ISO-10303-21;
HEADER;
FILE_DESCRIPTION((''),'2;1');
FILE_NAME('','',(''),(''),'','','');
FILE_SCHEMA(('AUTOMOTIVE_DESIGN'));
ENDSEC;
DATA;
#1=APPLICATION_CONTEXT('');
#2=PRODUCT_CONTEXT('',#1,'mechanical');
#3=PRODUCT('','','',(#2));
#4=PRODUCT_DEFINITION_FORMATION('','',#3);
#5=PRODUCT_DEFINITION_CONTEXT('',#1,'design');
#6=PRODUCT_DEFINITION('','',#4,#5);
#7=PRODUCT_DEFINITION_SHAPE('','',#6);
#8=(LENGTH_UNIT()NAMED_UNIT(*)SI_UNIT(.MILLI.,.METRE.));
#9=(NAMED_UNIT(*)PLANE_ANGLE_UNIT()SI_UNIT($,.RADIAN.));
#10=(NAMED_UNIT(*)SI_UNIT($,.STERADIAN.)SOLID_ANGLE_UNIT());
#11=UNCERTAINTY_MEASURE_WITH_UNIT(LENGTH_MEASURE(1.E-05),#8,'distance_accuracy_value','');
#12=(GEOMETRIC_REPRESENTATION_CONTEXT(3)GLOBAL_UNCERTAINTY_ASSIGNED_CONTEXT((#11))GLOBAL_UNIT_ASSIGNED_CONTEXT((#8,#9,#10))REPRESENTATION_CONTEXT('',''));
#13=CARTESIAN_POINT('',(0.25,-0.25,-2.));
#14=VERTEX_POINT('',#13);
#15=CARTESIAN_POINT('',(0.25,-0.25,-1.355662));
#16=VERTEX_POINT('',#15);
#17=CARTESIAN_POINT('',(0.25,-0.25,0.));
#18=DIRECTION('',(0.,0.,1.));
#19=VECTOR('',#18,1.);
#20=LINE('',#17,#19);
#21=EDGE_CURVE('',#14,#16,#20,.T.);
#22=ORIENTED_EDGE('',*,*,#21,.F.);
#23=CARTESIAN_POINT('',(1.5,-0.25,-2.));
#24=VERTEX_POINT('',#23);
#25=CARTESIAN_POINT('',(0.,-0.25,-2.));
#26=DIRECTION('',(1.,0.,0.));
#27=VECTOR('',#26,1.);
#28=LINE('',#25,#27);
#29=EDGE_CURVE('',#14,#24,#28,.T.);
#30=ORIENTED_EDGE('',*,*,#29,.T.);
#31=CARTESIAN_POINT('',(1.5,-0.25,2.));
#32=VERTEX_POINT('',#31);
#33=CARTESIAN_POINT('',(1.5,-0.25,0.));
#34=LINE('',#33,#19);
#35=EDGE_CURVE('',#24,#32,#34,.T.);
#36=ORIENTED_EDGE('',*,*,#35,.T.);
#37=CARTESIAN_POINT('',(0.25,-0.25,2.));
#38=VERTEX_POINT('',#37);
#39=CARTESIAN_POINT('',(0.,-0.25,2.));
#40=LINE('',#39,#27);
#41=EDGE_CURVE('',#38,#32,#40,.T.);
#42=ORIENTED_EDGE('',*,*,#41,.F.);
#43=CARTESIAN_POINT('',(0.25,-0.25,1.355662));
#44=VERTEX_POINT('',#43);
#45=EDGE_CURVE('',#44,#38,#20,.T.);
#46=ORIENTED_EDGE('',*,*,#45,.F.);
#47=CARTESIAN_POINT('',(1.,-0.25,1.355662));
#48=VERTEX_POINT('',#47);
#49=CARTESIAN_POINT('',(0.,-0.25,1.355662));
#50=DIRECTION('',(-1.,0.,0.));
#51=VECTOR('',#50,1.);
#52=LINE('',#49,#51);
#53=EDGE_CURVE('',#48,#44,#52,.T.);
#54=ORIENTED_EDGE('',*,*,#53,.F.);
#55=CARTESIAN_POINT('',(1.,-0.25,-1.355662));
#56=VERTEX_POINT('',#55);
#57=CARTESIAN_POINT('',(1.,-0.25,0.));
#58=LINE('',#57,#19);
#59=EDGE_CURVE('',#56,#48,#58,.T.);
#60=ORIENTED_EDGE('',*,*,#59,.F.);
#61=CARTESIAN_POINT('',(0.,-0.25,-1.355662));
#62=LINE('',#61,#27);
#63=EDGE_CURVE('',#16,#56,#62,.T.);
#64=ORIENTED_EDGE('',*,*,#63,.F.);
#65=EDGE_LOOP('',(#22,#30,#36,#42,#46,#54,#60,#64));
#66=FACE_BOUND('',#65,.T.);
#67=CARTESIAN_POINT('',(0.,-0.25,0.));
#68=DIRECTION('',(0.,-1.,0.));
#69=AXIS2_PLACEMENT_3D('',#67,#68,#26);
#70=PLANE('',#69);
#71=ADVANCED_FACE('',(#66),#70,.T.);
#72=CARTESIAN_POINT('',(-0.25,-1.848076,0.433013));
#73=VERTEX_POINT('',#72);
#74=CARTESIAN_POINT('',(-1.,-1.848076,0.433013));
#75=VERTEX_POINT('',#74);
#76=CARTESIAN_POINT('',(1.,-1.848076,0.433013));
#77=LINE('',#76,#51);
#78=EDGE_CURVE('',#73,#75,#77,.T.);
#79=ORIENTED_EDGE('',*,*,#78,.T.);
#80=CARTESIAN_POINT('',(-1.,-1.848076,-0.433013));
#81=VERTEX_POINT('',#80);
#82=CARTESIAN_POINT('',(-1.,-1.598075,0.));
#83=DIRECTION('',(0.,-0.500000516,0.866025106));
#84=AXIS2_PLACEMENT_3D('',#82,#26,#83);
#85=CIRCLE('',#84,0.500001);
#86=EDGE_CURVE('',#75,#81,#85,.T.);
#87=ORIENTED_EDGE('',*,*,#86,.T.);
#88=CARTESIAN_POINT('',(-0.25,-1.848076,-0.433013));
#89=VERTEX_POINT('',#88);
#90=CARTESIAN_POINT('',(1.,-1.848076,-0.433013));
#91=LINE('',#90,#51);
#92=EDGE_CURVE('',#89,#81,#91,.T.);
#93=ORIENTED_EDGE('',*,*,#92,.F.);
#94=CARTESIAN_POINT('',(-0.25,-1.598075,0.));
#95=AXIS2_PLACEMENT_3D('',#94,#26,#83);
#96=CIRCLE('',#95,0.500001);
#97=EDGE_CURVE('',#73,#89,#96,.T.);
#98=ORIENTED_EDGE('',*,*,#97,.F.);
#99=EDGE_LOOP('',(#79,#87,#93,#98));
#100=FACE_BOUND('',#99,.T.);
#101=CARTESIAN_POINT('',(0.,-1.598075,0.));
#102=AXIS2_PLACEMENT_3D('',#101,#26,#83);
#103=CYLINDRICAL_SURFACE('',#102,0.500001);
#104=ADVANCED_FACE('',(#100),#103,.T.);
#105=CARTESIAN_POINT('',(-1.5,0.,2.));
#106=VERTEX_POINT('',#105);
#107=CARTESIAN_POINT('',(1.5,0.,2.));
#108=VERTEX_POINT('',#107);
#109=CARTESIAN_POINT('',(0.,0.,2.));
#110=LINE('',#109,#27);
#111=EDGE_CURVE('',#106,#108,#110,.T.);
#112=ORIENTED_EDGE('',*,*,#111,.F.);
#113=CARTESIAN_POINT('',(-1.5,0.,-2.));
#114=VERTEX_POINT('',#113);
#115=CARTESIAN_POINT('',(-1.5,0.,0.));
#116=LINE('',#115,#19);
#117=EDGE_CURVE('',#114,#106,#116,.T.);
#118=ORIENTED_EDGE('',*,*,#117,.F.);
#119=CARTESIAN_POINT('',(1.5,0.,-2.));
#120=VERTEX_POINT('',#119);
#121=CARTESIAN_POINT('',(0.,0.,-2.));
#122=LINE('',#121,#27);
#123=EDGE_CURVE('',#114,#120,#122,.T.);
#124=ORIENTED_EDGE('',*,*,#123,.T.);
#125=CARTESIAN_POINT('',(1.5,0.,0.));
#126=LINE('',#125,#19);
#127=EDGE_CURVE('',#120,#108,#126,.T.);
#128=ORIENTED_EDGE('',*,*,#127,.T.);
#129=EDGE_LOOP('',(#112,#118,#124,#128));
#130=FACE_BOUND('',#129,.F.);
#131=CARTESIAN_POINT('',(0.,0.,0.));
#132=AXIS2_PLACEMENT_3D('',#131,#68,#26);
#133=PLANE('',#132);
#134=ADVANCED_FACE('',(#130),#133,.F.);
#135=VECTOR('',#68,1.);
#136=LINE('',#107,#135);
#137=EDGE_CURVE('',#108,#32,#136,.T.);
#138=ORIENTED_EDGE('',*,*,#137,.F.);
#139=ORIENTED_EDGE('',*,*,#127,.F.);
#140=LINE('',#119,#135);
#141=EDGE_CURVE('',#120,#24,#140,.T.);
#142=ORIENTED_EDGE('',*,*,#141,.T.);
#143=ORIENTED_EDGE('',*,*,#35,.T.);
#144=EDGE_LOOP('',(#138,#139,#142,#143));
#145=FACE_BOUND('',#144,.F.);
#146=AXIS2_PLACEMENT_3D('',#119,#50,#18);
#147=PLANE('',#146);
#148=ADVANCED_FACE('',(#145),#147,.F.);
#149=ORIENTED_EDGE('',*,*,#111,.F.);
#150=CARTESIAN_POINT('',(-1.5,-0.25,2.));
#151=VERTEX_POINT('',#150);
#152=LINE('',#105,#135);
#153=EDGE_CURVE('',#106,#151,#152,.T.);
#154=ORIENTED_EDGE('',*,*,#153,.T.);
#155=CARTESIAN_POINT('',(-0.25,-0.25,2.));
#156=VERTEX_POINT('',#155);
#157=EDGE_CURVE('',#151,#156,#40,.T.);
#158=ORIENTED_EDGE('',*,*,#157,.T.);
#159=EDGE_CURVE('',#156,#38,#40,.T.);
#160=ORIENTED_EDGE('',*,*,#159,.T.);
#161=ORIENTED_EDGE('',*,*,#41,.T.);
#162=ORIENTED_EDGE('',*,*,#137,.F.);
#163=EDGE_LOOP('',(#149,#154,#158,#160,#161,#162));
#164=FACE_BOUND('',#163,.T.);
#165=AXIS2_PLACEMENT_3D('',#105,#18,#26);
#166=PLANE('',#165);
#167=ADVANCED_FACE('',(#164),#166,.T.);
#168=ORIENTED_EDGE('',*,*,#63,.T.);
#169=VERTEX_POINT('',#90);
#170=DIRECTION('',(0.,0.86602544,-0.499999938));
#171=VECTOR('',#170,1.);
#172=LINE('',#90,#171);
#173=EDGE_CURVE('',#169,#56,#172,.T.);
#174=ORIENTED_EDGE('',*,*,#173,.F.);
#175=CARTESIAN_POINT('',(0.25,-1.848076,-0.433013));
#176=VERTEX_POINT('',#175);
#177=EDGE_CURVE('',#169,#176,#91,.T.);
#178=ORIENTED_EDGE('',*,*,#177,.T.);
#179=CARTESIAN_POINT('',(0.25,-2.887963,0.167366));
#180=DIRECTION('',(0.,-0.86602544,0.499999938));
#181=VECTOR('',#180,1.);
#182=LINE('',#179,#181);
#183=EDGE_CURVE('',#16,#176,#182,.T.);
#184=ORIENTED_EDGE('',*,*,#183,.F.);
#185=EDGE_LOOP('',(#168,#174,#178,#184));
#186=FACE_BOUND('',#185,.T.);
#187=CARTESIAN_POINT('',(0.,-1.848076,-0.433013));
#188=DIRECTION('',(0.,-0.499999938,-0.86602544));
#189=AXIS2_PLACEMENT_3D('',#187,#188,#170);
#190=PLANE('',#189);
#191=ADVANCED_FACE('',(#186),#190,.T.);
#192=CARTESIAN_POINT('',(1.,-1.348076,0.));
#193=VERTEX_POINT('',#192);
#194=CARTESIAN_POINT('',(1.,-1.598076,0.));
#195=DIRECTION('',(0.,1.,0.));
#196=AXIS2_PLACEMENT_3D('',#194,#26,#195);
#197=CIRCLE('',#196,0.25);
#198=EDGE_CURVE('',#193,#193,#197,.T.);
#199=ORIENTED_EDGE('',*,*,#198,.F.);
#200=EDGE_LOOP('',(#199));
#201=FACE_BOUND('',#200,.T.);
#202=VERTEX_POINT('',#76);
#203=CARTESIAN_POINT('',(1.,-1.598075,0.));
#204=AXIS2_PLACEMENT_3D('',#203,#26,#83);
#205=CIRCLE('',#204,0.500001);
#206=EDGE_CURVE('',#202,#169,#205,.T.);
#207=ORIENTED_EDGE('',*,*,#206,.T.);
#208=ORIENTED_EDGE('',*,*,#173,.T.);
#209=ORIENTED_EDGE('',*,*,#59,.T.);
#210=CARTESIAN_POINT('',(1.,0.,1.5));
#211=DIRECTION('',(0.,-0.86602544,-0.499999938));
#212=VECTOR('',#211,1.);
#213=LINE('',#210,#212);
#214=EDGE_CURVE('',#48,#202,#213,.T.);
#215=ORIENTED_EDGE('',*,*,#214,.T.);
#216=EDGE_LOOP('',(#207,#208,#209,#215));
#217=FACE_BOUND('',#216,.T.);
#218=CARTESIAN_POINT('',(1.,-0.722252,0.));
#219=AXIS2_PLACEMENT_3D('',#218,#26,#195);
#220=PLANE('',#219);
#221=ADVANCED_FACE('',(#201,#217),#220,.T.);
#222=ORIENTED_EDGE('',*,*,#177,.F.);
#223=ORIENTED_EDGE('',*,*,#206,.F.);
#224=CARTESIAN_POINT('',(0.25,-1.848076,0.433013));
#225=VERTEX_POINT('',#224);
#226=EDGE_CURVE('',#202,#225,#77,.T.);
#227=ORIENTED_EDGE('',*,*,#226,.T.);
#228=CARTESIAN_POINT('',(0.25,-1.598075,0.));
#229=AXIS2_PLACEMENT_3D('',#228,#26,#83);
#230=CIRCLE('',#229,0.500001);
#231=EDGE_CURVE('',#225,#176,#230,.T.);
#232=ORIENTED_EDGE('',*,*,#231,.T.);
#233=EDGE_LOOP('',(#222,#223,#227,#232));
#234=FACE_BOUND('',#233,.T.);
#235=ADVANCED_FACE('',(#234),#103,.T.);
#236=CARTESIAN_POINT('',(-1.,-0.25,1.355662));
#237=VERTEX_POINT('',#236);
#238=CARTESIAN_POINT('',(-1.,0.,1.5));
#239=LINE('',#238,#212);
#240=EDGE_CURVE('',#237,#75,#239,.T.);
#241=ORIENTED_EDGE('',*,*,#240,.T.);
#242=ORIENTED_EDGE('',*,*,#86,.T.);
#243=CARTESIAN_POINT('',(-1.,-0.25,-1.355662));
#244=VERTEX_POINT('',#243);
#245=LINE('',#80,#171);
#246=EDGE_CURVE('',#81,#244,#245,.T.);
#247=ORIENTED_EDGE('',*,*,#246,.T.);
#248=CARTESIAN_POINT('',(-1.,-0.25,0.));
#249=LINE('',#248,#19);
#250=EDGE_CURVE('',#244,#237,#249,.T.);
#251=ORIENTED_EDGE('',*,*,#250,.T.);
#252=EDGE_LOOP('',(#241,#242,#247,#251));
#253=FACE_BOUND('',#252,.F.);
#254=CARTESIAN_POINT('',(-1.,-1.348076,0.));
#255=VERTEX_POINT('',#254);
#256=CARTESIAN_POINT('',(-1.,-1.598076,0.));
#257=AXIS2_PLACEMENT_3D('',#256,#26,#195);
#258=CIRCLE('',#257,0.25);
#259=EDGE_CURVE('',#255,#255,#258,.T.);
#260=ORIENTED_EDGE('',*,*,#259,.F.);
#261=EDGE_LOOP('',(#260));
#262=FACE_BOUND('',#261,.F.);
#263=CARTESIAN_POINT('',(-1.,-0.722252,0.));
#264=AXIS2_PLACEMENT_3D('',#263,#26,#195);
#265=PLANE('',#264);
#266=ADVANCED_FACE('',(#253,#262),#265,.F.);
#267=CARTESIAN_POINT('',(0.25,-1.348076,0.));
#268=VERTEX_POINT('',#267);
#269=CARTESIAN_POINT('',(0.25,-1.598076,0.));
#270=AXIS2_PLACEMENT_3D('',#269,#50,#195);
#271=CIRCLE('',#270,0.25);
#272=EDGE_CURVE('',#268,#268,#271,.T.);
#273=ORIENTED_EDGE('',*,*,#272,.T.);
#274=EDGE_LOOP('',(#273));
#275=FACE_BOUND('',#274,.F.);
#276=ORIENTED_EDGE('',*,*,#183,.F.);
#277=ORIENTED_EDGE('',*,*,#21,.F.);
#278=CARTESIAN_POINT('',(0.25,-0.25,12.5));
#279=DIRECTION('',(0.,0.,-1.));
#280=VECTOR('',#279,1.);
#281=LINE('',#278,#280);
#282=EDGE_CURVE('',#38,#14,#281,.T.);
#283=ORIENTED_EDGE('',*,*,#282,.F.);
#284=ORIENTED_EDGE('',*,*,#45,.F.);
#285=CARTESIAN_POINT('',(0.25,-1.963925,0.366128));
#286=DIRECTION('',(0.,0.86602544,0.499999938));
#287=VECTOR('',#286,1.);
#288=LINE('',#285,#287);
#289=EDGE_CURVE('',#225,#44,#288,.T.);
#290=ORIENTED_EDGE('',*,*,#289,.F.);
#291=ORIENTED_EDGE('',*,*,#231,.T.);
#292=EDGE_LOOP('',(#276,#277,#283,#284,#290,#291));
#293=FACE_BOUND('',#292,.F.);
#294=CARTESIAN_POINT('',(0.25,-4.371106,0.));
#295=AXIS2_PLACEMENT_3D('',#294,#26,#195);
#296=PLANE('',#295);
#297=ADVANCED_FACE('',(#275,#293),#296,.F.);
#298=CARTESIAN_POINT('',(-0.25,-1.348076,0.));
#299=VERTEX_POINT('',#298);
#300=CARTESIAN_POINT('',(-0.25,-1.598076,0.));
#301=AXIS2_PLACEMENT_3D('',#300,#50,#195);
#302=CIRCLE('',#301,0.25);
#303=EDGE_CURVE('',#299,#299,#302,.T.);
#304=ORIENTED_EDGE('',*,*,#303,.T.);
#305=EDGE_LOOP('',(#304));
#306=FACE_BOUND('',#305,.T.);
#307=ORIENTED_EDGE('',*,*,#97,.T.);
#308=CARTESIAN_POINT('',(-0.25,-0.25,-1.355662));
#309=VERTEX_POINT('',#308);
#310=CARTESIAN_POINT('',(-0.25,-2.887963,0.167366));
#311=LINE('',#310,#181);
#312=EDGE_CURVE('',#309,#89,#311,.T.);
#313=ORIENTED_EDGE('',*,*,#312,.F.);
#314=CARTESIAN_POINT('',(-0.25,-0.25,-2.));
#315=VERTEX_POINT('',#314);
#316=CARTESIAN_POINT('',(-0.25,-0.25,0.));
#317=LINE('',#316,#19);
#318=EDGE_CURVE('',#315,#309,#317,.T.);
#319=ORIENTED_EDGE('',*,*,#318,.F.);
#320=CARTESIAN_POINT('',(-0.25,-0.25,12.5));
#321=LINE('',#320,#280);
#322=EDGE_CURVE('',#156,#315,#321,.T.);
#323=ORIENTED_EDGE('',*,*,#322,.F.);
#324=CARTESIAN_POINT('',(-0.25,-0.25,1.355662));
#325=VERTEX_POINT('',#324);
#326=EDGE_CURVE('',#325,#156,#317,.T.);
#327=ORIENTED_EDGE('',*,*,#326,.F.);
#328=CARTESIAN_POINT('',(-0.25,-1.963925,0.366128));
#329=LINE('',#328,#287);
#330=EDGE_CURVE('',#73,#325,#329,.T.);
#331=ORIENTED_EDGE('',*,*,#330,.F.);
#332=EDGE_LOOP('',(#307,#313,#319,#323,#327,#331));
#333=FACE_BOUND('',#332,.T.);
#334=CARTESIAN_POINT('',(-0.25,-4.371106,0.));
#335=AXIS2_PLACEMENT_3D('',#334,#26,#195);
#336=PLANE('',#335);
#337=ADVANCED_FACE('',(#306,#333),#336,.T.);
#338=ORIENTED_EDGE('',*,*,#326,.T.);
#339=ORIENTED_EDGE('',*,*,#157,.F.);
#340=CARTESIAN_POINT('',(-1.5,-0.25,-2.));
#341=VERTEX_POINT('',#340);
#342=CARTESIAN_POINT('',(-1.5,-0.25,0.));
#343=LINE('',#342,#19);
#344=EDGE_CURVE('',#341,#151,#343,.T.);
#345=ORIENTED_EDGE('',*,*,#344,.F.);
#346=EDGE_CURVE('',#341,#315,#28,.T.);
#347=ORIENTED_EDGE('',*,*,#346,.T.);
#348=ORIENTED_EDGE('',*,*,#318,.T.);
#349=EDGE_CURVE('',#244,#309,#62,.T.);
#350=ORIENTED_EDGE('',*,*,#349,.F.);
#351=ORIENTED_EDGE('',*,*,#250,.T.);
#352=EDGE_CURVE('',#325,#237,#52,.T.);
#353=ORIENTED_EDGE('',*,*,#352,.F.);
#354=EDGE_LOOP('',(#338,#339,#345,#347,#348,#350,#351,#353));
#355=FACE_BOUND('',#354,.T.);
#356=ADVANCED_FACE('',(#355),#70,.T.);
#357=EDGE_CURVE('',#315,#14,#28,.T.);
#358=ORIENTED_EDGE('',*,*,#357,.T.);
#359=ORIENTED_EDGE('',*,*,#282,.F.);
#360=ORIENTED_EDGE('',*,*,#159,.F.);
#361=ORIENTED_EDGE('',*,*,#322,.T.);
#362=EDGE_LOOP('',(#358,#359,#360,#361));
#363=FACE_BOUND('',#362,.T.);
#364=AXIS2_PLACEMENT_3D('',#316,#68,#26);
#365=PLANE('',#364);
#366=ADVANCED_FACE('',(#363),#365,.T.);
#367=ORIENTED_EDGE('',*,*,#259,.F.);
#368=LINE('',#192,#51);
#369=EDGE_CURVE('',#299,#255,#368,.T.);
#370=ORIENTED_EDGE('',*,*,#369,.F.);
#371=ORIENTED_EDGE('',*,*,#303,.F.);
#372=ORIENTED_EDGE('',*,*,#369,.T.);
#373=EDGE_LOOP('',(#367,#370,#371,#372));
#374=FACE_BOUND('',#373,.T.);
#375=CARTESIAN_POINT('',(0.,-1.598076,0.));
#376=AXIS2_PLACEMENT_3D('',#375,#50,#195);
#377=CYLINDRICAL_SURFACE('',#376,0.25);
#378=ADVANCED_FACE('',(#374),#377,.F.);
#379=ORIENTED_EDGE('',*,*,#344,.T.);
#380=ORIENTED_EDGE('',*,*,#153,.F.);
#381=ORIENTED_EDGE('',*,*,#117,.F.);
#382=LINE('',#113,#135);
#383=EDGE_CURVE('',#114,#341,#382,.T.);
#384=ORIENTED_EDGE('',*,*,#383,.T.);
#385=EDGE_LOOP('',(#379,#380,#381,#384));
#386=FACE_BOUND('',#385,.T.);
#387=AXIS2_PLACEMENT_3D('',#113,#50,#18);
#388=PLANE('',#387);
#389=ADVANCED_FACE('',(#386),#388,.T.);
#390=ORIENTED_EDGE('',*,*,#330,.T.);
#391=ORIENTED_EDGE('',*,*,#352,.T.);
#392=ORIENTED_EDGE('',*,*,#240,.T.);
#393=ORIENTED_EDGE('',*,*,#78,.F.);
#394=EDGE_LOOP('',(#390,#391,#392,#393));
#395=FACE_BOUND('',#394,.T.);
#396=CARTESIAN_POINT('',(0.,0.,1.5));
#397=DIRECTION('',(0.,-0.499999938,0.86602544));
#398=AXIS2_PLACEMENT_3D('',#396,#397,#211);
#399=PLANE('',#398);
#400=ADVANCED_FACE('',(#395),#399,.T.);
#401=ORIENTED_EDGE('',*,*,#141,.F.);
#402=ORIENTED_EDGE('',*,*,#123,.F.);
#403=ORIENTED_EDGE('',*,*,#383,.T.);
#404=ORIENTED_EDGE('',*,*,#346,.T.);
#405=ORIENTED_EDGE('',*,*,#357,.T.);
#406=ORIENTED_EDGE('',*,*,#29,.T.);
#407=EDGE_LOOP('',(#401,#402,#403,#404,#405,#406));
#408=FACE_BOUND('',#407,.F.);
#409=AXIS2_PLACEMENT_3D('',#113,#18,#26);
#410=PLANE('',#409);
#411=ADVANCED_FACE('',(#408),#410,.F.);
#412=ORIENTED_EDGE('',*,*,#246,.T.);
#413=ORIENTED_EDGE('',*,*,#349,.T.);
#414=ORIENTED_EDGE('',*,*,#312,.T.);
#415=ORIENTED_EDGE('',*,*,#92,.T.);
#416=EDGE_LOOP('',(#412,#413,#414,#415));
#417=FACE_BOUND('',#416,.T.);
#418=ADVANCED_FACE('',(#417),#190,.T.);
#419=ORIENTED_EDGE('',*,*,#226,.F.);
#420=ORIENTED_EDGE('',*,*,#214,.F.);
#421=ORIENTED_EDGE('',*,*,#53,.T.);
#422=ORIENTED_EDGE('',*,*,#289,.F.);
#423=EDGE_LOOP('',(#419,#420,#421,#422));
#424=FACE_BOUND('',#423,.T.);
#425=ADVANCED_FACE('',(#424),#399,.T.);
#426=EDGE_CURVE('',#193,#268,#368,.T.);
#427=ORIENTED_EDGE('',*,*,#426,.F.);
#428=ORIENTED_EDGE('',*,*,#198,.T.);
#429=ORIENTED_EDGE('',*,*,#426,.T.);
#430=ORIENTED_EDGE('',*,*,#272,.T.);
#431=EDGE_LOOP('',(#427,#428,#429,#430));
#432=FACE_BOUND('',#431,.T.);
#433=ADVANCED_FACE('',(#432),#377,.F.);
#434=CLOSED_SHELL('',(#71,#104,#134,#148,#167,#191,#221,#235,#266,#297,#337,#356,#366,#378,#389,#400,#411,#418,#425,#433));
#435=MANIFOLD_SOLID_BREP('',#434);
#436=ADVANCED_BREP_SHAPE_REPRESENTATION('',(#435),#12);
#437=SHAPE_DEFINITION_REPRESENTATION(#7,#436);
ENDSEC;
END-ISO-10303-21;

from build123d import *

# Parameters (mm, degrees)
F0_W     = 3
F0_H     = 4
F1_DEPTH = 0.25
F2_R     = 0.25
F3_DEPTH = 1
F4_W     = 0.5
F4_H     = 4.121107
F5_DEPTH = 12.5


with BuildPart() as f1:
    # F0 (on Front) → F1 (new body)
    with BuildSketch(Plane.XZ):
        Rectangle(F0_W, F0_H)
    extrude(amount=F1_DEPTH)

    # F2 (on Right) → F3 (join, symmetric)
    with BuildSketch(Plane.YZ):
        with BuildLine():
            Line((-1.848076, -0.433013), (0, -1.5))
            Line((0, -1.5), (0, 1.5))
            Line((0, 1.5), (-1.848076, 0.433013))
            ThreePointArc((-1.848076, 0.433013), (-2.098076, 0), (-1.848076, -0.433013))
        make_face()
        with Locations((-1.598076, 0)):
            Circle(F2_R, mode=Mode.SUBTRACT)
    extrude(amount=F3_DEPTH, both=True)

    # F4 (on Top) → F5 (cut, symmetric)
    with BuildSketch(Plane.XY):
        with Locations((0, -2.310553)):
            Rectangle(F4_W, F4_H)
    extrude(amount=F5_DEPTH, both=True, mode=Mode.SUBTRACT)


solid = f1.part
